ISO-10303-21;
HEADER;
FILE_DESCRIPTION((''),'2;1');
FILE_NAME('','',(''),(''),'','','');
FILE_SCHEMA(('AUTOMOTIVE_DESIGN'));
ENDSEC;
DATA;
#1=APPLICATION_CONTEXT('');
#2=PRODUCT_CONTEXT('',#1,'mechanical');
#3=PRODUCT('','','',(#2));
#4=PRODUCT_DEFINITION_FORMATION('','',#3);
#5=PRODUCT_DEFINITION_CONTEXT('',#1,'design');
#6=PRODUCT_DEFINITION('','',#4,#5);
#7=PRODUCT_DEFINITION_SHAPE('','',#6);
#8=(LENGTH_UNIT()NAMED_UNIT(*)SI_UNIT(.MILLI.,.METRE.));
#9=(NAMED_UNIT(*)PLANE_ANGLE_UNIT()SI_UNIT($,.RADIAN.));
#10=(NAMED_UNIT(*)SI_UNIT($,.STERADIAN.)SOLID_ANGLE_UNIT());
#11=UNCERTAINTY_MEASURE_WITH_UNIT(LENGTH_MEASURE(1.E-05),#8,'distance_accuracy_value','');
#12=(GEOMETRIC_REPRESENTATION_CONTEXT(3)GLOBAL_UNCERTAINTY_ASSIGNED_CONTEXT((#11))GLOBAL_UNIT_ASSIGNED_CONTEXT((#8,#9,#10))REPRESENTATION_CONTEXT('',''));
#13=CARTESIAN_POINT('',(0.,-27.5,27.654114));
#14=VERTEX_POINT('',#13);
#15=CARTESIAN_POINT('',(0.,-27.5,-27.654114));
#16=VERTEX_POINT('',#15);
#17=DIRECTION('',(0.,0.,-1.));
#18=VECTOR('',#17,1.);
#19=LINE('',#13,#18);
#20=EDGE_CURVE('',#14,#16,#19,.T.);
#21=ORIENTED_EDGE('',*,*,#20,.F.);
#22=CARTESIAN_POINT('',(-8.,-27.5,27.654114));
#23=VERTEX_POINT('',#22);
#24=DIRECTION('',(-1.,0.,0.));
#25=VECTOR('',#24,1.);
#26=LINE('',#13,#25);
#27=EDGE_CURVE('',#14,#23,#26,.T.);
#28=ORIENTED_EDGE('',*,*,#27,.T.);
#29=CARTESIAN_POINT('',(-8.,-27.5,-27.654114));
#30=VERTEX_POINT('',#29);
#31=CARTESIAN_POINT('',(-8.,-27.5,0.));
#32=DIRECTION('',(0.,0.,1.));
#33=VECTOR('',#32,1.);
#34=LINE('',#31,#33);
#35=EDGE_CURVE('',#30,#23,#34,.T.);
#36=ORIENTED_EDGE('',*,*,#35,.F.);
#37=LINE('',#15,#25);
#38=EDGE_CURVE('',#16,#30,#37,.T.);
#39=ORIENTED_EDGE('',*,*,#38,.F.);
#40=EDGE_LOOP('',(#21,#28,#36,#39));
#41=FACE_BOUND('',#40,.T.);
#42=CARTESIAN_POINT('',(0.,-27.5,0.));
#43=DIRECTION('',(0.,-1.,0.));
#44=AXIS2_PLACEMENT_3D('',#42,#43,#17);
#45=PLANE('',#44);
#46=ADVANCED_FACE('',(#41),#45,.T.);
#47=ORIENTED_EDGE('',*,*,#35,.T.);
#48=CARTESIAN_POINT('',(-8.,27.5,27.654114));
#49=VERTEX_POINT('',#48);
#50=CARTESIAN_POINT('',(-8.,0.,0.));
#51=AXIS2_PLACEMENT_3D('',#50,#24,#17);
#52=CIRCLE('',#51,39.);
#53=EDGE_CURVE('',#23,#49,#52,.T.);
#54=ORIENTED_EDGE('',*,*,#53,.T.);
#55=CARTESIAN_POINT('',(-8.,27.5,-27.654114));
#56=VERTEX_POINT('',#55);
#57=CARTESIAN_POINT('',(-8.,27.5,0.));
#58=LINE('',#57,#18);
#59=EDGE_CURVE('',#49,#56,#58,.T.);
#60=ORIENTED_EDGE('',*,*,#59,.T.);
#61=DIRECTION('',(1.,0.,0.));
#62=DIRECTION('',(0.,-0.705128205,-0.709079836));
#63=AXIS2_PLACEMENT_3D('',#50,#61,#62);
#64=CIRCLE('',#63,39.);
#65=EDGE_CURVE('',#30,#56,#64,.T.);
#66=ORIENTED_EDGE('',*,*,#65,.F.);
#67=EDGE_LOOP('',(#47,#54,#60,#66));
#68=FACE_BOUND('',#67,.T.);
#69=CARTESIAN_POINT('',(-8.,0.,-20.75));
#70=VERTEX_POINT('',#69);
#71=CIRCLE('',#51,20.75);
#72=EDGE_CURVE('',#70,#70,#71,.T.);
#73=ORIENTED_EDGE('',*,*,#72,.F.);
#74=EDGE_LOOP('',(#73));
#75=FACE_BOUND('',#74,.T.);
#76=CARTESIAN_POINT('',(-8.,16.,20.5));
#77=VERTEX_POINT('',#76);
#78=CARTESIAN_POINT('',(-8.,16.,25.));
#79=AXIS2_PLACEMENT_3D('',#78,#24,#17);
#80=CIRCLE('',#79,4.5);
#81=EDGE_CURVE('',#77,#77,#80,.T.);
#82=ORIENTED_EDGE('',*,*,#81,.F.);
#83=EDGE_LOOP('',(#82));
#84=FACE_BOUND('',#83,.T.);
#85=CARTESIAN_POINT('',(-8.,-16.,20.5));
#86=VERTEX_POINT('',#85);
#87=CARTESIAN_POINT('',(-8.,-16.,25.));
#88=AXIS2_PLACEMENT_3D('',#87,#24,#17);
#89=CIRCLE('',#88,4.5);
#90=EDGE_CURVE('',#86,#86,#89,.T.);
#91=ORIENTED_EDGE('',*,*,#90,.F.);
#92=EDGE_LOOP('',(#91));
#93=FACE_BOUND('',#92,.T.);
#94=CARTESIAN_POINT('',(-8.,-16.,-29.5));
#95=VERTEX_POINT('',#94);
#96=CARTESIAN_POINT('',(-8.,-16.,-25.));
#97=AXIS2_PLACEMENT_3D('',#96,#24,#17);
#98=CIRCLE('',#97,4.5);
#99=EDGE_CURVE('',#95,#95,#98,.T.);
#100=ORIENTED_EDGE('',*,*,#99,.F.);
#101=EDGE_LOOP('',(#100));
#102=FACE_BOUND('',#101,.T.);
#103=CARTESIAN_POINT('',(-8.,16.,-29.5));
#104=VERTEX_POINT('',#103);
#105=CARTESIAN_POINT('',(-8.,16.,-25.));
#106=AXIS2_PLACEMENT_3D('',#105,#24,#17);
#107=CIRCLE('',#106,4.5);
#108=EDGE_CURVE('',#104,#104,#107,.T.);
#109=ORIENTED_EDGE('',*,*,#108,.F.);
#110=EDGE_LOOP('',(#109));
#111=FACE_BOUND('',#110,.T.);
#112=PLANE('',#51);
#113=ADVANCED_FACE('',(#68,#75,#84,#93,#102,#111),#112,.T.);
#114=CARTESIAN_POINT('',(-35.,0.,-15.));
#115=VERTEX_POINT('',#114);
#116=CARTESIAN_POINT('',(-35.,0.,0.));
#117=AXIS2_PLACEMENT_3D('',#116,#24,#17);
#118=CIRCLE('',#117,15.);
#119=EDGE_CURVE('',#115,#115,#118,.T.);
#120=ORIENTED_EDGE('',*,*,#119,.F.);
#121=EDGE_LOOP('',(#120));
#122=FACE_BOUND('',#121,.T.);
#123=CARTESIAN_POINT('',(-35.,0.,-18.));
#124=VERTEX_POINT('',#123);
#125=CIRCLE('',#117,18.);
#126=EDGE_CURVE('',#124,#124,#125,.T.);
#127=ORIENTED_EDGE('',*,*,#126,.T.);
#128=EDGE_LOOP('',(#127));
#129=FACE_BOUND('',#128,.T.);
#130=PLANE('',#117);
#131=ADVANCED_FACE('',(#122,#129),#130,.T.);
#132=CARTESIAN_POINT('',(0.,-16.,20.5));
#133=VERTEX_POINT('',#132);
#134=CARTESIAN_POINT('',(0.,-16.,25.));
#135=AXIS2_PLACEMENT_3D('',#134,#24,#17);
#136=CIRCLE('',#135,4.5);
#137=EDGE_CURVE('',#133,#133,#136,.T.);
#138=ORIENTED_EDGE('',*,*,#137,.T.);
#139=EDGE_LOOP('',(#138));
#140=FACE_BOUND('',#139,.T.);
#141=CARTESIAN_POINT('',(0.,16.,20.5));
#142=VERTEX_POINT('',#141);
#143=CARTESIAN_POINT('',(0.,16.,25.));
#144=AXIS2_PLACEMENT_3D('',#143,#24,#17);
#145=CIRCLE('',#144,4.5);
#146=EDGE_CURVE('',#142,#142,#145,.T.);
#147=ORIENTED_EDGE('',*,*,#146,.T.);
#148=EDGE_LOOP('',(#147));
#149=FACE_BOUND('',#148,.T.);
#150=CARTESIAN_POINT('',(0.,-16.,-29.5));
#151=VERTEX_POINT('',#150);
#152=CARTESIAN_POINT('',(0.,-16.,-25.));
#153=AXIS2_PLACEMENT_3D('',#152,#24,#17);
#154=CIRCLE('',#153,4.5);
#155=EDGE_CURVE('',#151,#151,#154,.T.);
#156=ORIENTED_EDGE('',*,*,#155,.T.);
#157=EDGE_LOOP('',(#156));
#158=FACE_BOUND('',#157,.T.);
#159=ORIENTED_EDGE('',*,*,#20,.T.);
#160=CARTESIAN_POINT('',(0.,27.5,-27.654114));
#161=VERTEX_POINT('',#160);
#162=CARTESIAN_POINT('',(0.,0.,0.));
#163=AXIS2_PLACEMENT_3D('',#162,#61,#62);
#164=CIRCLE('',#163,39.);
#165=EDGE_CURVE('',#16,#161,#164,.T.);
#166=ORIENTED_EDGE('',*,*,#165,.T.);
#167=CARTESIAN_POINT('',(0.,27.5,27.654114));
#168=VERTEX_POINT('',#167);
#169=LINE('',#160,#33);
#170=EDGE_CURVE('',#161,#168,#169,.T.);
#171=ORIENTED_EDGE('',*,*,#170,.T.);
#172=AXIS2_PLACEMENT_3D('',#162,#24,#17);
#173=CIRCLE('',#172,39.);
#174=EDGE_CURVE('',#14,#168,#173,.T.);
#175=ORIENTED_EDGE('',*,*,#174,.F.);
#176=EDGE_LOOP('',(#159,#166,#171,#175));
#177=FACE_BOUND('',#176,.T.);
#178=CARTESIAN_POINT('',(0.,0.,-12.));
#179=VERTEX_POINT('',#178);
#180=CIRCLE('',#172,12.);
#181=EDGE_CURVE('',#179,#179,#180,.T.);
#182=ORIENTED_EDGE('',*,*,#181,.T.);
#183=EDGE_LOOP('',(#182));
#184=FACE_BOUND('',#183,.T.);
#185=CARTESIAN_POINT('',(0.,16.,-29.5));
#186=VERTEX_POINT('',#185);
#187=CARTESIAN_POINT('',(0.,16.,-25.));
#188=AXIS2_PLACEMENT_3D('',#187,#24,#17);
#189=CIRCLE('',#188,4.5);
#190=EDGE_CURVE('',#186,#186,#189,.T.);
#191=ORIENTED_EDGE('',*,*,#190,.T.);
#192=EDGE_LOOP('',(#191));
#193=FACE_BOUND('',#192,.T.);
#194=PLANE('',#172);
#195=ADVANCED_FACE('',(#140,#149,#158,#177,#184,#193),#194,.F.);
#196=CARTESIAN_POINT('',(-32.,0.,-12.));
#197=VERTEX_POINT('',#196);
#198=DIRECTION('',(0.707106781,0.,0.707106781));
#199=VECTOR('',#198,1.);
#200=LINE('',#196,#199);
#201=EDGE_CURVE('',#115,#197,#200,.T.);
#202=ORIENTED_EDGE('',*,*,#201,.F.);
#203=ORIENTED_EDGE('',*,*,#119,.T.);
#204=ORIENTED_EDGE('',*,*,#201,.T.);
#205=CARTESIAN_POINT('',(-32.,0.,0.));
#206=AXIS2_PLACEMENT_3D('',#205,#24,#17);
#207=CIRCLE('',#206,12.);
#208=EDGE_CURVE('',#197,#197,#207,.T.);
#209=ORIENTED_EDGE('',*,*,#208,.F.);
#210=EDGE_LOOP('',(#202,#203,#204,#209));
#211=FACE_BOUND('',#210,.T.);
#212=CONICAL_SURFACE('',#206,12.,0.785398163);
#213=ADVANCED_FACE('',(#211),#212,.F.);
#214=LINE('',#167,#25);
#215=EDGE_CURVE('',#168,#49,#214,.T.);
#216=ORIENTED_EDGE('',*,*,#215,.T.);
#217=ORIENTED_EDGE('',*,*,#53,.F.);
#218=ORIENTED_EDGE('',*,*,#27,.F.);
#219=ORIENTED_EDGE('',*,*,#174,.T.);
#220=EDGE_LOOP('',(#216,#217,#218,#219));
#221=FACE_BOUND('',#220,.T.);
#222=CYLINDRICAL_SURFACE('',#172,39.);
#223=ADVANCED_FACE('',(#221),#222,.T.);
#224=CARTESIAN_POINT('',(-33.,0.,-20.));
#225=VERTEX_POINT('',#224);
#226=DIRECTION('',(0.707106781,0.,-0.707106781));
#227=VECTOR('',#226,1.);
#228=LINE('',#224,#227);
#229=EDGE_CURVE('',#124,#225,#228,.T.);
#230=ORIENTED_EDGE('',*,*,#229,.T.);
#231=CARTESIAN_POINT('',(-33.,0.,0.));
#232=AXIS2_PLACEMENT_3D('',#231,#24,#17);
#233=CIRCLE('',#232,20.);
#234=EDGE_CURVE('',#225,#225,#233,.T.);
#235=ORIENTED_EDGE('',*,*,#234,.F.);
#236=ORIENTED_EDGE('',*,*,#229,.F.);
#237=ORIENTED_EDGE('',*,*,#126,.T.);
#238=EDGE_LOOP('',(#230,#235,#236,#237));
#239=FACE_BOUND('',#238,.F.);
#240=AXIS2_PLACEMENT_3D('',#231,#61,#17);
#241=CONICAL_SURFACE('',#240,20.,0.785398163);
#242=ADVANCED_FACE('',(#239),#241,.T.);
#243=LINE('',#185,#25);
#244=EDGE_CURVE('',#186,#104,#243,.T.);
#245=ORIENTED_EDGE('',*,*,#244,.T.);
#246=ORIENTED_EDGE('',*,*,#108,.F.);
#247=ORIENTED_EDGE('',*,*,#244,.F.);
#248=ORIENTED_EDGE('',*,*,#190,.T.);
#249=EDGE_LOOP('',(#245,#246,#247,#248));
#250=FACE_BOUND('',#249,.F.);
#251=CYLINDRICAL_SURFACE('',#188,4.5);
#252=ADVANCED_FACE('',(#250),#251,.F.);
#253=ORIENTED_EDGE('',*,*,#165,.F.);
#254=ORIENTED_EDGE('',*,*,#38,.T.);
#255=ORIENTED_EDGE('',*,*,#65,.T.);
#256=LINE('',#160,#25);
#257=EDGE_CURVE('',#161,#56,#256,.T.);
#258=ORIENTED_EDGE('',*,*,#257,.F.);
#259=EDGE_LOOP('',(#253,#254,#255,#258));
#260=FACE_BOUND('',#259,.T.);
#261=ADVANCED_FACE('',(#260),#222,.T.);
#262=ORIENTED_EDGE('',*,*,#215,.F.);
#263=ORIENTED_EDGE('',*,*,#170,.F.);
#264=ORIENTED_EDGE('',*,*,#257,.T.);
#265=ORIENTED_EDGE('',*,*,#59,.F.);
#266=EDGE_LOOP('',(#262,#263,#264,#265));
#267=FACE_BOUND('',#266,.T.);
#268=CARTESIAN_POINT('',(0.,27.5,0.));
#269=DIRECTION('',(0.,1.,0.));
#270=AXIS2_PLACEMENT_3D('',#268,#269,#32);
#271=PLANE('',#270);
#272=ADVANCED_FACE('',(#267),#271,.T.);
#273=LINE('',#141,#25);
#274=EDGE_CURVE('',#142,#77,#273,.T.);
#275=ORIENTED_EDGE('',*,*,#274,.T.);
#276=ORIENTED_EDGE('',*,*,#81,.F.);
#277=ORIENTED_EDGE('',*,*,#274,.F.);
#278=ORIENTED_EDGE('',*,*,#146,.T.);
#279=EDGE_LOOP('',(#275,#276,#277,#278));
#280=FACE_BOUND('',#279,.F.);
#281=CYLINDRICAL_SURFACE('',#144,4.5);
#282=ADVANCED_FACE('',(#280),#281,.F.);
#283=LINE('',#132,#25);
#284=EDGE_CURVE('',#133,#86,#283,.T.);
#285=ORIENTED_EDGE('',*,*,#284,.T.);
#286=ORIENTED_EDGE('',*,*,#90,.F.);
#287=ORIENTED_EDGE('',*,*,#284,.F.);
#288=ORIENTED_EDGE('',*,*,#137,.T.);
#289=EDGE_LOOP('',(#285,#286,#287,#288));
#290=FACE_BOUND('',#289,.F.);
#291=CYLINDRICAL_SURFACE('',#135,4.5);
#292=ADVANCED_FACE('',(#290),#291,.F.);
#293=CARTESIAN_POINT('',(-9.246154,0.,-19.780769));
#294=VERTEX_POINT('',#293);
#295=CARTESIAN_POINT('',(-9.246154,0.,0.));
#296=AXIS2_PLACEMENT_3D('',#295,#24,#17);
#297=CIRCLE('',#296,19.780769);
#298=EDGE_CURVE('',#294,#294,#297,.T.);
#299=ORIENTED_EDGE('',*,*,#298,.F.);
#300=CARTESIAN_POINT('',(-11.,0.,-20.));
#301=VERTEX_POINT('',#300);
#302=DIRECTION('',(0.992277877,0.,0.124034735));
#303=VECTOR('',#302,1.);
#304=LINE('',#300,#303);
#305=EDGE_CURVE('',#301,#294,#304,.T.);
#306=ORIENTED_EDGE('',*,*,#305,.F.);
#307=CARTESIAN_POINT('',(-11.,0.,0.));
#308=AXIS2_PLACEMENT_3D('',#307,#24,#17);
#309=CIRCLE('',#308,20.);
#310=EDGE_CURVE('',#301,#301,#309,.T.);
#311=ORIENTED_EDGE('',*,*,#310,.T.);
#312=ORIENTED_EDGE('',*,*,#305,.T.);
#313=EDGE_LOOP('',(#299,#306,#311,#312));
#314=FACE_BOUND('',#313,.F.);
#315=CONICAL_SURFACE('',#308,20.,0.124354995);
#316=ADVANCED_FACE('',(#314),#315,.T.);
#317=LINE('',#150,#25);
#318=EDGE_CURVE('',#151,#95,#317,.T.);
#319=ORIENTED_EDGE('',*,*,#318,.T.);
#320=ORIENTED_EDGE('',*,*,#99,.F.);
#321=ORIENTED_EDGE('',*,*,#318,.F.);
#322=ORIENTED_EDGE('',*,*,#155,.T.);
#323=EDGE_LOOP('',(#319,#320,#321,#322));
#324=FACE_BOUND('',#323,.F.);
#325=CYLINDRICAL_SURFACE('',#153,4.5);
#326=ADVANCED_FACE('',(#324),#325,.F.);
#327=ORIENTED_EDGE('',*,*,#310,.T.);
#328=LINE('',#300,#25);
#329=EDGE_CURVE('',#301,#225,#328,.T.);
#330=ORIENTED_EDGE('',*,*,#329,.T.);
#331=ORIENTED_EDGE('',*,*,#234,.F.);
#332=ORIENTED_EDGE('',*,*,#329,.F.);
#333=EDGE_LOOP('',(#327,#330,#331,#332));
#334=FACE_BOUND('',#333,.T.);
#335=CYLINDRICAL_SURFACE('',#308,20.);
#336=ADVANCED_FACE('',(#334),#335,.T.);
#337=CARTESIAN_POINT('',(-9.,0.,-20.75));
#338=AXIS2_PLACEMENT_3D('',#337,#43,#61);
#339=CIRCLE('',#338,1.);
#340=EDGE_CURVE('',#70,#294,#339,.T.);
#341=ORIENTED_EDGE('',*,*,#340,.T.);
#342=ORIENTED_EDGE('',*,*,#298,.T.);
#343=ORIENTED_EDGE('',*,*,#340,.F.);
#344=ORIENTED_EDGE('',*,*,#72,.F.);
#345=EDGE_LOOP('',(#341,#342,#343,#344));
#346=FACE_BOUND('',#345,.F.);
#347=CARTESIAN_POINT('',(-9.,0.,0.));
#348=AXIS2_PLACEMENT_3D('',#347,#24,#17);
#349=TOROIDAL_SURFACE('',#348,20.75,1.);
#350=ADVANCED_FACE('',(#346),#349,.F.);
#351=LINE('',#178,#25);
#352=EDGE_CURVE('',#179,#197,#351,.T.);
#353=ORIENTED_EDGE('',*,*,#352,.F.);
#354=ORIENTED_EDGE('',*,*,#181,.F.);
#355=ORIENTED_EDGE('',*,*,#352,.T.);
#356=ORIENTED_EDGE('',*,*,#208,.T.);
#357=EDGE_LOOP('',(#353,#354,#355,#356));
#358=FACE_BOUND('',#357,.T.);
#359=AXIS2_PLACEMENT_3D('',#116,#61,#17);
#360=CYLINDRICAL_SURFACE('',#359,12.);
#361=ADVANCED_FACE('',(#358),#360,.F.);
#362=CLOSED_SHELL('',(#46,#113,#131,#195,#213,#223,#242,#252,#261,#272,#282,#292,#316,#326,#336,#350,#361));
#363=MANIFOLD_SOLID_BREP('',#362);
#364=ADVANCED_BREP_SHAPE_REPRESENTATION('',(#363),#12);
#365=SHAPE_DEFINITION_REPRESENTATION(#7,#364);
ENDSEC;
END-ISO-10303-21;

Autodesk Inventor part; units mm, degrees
ref_plane "YZ Plane" through (0, 0, 0) normal (1, 0, 0) x (0, 1, 0)
ref_plane "XZ Plane" through (0, 0, 0) normal (0, 1, 0) x (-1, 0, 0)
ref_plane "XY Plane" through (0, 0, 0) normal (0, 0, 1) x (1, 0, 0)
sketch "Эскиз1" plane through (0, 0, 0) normal (0, 1, 0) x (-1, 0, 0)
  line L0 (0, 0) -> (0, -39)
  line L1 (0, -39) -> (8, -39)
  line L2 (8, -39) -> (8, 0)
  line L3 (8, 0) -> (8, -19.75)
  line L4 (8, -19.75) -> (11, -19.75)
  line L5 (11, -19.75) -> (11, 0)
  line L6 (11, 0) -> (11, -20)
  line L7 (11, -20) -> (35, -20)
  line L8 (35, -20) -> (35, 0)
  line L9 (35, 0) -> (35, -12)
  line L10 (35, -12) -> (0, -12)
  line L11 (0, 0) -> (35, 0)
  line L12 (8, -19.75) -> (8, -20.75)
  line L13 (8, -20.75) -> (9, -20.75)
  circle A0 centre (9, -20.75) radius 1
  line L14 (11, -20) -> (9, -19.75)
  point P0 (9.2462, -19.7808)
  dimension "d0" = 39
  dimension "d1" = 8
  dimension "d2" = 19.75
  dimension "d3" = 3
  dimension "d4" = 20
  dimension "d6" = 12
  dimension "d27" = 1
  dimension "d28" = 1
revolve "Вращение1" add sketch "Эскиз1" angle 360 about axis through (0, 0, 0) along (-1, 0, 0) contours L10 L2 L1 L0 | L10 L5 L4 L2 | L10 L8 L7 L6 L5
sketch "Эскиз2" plane through (0, 0, 0) normal (1, 0, 0) x (0, 0, -1)
  line L0 (25, -16) -> (-25, -16)
  line L1 (-25, -16) -> (-25, 16)
  line L2 (-25, 16) -> (25, 16)
  line L3 (25, 16) -> (25, -16)
  line L4 (25, -16) -> (-25, 16) construction
  line L5 (-25, -16) -> (25, 16) construction
  line L6 (0, 0) -> (0, -27.5)
  line L7 (0, -27.5) -> (39.6722, -27.5)
  line L8 (39.6722, -27.5) -> (-36.2697, -27.5)
  line L9 (0, 0) -> (0, 27.5)
  line L10 (0, 27.5) -> (-39.8646, 27.5)
  line L11 (-39.8646, 27.5) -> (34.879, 27.5)
  circle A0 centre (0, 0) radius 39
  point P0 (27.6541, 27.5)
  point P1 (-27.6541, 27.5)
  point P2 (-27.6541, -27.5)
  point P3 (27.6541, -27.5)
  dimension "d8" = 50
  dimension "d9" = 32
  dimension "d23" = 27.5
  dimension "d24" = 27.5
hole "Отверстие1" at (0, -16, 25) at (0, 16, 25) at (0, 16, -25) at (0, -16, -25) direction (-1, 0, 0) diameter 9 end through all
chamfer "Фаска1" distance 2 angle 45 1 edges at (-35, 0, 20)
chamfer "Фаска2" distance 3 angle 45 1 edges at (-35, 0, 12)
extrude "Выдавливание1" cut sketch "Эскиз2" against normal through all contours L7 A0 L8 | L10 A0 L11
revolve "Вращение2" add sketch "Эскиз1" angle 360 about axis through (0, 0, 0) along (-1, 0, 0) contours L4 A0 L2 | L4 L6 L14 A0
thread "Резьба1" size "M24x3" class "6H" standard "ANSI Metric M Profile" full length
properties part number "Втулка-4"
